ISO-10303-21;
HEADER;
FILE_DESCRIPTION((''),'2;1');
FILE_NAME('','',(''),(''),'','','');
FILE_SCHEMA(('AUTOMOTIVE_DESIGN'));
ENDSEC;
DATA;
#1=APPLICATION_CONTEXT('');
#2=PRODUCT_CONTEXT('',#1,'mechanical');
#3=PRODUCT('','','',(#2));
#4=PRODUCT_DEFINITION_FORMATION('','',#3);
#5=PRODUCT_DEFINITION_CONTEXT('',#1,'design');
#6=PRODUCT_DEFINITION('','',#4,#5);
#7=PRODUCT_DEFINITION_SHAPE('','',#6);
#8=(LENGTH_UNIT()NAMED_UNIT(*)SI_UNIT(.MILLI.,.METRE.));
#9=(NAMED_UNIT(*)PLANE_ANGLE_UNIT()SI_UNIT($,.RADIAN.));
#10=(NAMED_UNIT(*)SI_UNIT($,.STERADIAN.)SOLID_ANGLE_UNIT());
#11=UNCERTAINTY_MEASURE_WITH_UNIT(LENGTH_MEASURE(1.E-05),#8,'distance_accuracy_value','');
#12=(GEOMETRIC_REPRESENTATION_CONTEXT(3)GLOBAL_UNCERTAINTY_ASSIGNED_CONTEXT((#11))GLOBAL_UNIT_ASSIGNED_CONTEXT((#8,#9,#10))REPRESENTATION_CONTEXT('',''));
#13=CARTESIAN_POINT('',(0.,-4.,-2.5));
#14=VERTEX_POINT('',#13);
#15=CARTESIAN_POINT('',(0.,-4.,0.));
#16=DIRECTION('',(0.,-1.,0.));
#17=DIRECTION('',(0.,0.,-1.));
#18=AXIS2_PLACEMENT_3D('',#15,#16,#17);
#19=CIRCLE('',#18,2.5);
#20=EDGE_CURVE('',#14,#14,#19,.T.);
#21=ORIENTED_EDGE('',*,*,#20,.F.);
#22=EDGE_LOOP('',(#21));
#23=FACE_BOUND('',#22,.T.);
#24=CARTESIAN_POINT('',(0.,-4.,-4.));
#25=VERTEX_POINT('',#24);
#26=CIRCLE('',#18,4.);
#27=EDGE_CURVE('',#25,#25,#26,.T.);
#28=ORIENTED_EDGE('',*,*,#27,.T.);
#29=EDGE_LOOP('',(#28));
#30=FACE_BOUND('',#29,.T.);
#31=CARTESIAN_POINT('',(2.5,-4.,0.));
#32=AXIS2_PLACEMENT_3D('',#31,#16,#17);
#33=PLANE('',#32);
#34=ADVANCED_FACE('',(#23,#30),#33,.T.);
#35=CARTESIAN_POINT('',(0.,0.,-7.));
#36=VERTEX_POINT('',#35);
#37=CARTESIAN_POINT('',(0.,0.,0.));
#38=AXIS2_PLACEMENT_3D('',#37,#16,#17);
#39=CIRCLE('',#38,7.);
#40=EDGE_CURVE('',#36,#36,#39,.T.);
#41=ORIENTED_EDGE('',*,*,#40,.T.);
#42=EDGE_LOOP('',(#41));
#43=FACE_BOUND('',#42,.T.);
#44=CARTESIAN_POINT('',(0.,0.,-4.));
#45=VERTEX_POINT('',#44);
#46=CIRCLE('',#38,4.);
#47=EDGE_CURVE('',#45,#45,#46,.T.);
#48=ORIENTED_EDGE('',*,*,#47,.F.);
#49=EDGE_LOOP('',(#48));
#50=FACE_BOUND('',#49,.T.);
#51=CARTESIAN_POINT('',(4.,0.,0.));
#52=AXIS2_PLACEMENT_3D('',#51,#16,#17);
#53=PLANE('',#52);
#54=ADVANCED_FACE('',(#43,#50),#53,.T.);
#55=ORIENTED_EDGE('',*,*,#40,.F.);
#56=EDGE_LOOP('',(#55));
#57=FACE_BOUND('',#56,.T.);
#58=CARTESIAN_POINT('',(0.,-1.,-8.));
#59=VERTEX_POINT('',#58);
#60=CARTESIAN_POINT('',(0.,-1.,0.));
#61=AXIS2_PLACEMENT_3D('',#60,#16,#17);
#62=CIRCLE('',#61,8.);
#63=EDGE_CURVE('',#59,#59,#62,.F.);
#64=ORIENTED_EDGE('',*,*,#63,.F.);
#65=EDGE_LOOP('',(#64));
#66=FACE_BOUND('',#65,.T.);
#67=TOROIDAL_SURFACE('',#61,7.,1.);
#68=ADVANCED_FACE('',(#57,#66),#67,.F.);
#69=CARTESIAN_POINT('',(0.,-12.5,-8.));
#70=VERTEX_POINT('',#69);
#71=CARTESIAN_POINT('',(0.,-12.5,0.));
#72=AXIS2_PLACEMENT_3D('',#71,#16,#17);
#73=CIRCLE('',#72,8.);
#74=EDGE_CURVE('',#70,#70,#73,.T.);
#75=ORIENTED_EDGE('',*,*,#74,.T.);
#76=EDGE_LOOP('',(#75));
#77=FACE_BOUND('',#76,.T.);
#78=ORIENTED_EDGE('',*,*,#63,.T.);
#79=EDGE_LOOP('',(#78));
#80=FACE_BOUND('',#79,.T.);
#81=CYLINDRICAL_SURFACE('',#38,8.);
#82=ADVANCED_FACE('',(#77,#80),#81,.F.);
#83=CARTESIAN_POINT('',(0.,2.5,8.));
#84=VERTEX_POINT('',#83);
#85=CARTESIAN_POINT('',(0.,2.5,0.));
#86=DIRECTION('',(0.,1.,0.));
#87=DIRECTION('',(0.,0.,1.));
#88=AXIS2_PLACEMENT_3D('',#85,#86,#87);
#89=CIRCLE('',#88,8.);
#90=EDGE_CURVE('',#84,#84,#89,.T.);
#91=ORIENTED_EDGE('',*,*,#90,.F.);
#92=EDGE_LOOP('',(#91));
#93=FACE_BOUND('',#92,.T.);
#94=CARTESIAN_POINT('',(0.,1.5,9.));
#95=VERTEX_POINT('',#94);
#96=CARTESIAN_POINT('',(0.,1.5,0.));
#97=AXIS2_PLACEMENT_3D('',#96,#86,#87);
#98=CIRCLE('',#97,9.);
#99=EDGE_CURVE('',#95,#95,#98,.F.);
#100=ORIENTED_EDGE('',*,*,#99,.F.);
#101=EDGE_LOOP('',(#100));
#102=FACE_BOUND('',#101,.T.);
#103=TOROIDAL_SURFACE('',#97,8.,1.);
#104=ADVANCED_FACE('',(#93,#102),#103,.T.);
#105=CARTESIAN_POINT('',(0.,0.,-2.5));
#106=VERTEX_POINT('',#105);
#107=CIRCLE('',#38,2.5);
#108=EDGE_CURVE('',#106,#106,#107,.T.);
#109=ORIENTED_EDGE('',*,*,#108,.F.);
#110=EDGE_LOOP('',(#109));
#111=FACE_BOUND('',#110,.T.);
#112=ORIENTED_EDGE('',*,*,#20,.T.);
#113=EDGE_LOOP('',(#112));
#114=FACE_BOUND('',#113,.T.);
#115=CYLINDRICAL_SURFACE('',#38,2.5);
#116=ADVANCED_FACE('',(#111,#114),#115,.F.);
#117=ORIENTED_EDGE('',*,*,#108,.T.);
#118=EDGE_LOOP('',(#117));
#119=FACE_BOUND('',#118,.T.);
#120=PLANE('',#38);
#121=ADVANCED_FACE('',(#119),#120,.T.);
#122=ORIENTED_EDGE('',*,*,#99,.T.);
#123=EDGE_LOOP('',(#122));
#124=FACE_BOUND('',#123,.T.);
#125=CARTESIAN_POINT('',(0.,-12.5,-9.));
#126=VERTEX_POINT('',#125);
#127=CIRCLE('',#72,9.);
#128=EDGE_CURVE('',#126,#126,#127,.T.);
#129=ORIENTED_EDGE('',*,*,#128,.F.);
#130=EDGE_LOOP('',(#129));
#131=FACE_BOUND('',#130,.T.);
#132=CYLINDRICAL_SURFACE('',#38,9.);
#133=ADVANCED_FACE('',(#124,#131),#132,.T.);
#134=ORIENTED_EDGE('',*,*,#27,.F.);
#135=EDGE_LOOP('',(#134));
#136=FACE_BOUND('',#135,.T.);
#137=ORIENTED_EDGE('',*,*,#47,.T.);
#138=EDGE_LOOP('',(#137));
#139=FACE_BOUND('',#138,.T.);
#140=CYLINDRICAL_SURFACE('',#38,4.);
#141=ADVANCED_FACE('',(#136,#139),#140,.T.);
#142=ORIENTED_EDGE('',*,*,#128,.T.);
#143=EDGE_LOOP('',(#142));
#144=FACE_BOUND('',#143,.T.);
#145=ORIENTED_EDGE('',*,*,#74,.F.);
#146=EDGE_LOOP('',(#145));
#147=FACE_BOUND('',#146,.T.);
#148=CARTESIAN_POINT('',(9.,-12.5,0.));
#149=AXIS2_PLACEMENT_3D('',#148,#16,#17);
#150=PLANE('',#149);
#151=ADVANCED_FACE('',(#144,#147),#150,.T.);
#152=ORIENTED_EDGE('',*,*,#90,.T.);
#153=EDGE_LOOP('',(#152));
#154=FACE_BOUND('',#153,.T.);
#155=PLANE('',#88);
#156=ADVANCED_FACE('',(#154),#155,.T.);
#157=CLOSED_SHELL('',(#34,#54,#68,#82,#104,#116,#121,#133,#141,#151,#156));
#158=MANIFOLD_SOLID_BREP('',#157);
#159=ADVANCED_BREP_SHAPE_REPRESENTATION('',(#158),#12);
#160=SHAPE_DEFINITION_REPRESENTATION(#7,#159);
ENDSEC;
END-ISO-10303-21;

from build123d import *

# Parameters (mm, degrees)
FILLET1_R = 1


with BuildPart() as part:
    # Sketch1 → Revolve1 (revolve)
    with BuildSketch(Plane.XY, mode=Mode.PRIVATE) as revolve1_sk:
        Polygon((4, 0), (8, 0), (8, -12.5), (9, -12.5), (9, 0), (9, 2.5), (0, 2.5), (0, 0), (2.5, 0), (2.5, -4), (4, -4), align=None)
    revolve(revolve1_sk.sketch.rotate(Axis((0, 0, 0), (0, 1, 0)), 90), axis=Axis((0, 0, 0), (0, 1, 0)))

    # Fillet1
    fillet1_edges = [part.edges().sort_by_distance(p)[0] for p in [
        (0, 0, 8),
        (0, 2.5, 9),
    ]]
    fillet(fillet1_edges, radius=FILLET1_R)


solid = part.part
